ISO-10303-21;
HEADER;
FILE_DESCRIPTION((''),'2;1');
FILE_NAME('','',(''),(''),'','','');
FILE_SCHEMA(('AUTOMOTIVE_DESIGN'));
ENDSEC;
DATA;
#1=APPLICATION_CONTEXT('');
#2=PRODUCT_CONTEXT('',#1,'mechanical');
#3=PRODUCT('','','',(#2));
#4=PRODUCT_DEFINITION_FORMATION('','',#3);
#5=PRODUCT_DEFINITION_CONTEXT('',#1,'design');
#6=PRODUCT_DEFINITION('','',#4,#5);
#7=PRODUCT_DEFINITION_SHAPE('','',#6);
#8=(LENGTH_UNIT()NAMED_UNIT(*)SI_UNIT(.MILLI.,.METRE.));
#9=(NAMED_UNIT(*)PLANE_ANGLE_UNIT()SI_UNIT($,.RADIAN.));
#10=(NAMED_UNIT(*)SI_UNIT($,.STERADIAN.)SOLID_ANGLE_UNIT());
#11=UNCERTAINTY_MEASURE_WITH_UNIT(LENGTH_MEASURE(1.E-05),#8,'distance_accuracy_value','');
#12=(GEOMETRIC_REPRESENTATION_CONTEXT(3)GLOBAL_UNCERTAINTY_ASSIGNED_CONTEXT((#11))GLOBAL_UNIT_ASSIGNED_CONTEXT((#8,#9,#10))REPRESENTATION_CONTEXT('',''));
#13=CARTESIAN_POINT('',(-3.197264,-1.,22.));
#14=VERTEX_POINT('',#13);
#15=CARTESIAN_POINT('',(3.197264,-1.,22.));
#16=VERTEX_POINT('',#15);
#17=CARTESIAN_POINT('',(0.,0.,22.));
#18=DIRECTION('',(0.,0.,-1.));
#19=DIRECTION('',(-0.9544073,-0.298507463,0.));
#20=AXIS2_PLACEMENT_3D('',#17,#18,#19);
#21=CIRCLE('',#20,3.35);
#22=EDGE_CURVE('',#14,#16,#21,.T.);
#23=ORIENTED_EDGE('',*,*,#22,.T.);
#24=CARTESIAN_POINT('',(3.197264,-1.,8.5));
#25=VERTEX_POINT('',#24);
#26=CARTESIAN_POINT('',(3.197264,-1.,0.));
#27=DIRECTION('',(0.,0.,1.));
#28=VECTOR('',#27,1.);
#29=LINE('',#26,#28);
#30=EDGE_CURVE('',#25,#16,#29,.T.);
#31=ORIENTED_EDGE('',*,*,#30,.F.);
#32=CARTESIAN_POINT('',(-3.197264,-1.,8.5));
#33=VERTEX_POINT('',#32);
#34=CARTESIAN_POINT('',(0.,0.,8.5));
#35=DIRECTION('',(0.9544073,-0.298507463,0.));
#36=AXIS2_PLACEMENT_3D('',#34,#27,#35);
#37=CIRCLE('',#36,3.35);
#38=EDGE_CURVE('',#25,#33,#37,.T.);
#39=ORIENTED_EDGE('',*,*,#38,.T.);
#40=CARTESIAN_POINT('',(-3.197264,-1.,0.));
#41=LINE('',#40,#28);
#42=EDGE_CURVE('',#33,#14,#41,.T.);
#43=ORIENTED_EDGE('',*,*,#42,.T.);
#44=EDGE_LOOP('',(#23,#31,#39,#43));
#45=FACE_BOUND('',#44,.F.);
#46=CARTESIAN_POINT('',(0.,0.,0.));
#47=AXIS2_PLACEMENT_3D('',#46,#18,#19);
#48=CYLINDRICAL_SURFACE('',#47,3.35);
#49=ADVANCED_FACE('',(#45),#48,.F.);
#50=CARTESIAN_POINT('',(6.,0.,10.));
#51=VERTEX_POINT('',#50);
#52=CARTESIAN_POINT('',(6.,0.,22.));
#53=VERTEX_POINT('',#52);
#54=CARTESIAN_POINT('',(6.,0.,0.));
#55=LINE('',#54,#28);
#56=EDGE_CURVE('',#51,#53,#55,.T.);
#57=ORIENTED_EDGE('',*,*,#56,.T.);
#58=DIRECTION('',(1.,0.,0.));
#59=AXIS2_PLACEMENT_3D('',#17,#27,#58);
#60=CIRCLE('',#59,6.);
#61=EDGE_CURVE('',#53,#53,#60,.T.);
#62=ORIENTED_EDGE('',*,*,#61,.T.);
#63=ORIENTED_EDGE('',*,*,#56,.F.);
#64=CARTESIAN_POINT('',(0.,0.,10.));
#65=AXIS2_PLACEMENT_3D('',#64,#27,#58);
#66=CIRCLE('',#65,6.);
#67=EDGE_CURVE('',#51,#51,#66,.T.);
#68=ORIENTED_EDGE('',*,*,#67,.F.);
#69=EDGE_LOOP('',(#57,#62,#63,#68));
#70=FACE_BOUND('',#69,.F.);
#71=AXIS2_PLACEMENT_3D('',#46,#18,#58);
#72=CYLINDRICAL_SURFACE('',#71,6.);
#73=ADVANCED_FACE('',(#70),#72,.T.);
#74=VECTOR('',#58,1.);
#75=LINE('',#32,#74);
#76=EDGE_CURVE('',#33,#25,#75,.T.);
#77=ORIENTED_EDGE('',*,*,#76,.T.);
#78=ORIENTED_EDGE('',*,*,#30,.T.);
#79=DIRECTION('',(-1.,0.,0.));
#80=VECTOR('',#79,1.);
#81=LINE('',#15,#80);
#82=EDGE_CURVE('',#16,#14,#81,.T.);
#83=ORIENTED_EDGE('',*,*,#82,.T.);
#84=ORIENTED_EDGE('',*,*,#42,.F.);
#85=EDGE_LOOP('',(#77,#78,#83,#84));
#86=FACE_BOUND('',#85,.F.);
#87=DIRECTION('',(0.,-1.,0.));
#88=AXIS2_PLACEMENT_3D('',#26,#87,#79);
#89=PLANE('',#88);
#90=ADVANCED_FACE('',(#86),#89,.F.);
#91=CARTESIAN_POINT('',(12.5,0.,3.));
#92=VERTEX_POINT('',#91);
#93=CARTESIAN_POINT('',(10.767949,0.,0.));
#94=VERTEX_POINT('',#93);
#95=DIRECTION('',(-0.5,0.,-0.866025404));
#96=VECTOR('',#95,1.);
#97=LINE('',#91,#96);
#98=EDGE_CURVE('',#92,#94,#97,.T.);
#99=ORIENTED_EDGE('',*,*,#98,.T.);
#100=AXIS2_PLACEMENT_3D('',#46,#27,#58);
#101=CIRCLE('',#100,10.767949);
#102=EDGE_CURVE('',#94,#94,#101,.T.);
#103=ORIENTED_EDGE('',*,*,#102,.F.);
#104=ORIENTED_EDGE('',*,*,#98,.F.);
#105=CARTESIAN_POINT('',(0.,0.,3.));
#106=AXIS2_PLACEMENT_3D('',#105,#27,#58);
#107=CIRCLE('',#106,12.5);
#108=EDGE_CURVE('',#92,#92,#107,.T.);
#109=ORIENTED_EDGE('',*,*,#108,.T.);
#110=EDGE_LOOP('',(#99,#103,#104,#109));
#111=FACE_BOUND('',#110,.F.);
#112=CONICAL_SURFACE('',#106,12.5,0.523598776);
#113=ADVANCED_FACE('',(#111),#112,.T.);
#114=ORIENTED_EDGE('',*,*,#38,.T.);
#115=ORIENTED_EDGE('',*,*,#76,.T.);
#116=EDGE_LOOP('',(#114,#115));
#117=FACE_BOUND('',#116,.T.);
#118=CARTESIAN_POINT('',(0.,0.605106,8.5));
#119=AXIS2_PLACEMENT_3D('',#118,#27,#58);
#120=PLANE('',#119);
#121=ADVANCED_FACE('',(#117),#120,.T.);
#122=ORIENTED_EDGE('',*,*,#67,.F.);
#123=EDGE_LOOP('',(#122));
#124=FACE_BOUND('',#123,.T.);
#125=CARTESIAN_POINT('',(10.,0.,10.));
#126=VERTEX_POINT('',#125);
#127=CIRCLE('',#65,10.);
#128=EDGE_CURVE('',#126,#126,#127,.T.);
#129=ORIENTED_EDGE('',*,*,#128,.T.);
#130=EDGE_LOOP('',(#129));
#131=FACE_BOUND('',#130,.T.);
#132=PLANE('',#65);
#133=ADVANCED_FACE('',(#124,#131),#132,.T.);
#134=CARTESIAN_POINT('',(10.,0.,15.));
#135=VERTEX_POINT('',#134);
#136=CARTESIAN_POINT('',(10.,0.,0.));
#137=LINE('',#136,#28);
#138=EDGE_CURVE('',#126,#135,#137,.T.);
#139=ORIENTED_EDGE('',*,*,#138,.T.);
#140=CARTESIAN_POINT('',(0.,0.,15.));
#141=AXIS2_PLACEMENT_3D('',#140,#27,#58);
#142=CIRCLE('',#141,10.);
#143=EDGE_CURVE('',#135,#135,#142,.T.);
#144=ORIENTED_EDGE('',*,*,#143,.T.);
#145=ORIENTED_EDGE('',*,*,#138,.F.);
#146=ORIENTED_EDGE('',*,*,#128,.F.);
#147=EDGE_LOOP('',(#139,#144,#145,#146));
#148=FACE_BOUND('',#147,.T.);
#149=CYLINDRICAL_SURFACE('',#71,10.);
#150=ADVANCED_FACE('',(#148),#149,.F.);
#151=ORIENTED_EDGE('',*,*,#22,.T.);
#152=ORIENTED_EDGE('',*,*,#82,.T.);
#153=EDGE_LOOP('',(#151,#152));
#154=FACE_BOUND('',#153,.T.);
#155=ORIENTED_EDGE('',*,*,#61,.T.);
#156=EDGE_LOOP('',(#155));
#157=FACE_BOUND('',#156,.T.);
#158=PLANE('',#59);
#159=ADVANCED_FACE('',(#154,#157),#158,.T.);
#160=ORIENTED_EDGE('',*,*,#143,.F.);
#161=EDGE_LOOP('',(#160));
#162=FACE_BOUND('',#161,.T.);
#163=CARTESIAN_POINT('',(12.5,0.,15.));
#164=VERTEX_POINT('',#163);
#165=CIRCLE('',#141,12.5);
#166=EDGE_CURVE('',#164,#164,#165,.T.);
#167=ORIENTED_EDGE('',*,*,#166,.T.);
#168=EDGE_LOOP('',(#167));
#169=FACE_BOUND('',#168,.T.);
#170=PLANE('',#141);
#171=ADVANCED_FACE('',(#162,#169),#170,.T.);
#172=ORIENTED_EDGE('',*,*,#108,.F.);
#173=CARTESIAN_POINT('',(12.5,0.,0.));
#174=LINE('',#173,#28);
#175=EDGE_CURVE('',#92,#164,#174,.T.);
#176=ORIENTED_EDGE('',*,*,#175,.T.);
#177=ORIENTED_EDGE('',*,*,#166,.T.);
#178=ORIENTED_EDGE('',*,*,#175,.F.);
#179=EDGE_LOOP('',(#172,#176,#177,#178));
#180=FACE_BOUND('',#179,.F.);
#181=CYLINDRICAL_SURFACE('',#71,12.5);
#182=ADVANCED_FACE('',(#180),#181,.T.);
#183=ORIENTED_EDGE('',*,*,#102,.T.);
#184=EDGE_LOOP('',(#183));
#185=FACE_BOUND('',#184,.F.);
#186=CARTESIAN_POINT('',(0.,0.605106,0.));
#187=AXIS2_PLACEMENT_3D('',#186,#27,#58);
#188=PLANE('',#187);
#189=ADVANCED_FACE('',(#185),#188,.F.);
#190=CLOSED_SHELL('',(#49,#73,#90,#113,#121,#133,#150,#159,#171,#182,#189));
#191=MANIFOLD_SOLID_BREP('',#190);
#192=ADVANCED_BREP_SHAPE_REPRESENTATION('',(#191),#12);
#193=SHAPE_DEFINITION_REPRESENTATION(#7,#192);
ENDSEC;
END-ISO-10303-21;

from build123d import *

# Parameters (mm, degrees)
F0_R     = 12.5
F0_R_2   = 10
F1_DEPTH = 15
F0_R_3   = 6
F2_DEPTH = 10
F3_DEPTH = 22
F4_DEPTH = 8.5
F5_SIZE2 = 1.7320508076
F5_SIZE  = 3


with BuildPart() as f1:
    # F0 (on Top) → F1 (new body)
    with BuildSketch(Plane.XY):
        Circle(F0_R)
        Circle(F0_R_2, mode=Mode.SUBTRACT)
    extrude(amount=F1_DEPTH)

    # F0 (on Top) → F2 (join)
    with BuildSketch(Plane.XY):
        Circle(F0_R_2)
        Circle(F0_R_3, mode=Mode.SUBTRACT)
    extrude(amount=F2_DEPTH)

    # F0 (on Top) → F3 (join)
    with BuildSketch(Plane.XY):
        Circle(F0_R_3)
        with BuildLine():
            ThreePointArc((-3.1972644557, -1), (0, 3.35), (3.1972644557, -1))
            Line((3.1972644557, -1), (-3.1972644557, -1))
        make_face(mode=Mode.SUBTRACT)
    extrude(amount=F3_DEPTH)

    # F0 (on Top) → F4 (join)
    with BuildSketch(Plane.XY):
        with BuildLine():
            Line((-3.1972644557, -1), (3.1972644557, -1))
            ThreePointArc((3.1972644557, -1), (0, 3.35), (-3.1972644557, -1))
        make_face()
    extrude(amount=F4_DEPTH)

    # F5
    f5_edges = [f1.edges().sort_by_distance(p)[0] for p in [
        (-12.5, 0, 0),
    ]]
    f5_side = f1.faces().sort_by_distance((-12.5, 0, 7.5))[0]
    chamfer(f5_edges, length=F5_SIZE, length2=F5_SIZE2, reference=f5_side)


solid = f1.part
